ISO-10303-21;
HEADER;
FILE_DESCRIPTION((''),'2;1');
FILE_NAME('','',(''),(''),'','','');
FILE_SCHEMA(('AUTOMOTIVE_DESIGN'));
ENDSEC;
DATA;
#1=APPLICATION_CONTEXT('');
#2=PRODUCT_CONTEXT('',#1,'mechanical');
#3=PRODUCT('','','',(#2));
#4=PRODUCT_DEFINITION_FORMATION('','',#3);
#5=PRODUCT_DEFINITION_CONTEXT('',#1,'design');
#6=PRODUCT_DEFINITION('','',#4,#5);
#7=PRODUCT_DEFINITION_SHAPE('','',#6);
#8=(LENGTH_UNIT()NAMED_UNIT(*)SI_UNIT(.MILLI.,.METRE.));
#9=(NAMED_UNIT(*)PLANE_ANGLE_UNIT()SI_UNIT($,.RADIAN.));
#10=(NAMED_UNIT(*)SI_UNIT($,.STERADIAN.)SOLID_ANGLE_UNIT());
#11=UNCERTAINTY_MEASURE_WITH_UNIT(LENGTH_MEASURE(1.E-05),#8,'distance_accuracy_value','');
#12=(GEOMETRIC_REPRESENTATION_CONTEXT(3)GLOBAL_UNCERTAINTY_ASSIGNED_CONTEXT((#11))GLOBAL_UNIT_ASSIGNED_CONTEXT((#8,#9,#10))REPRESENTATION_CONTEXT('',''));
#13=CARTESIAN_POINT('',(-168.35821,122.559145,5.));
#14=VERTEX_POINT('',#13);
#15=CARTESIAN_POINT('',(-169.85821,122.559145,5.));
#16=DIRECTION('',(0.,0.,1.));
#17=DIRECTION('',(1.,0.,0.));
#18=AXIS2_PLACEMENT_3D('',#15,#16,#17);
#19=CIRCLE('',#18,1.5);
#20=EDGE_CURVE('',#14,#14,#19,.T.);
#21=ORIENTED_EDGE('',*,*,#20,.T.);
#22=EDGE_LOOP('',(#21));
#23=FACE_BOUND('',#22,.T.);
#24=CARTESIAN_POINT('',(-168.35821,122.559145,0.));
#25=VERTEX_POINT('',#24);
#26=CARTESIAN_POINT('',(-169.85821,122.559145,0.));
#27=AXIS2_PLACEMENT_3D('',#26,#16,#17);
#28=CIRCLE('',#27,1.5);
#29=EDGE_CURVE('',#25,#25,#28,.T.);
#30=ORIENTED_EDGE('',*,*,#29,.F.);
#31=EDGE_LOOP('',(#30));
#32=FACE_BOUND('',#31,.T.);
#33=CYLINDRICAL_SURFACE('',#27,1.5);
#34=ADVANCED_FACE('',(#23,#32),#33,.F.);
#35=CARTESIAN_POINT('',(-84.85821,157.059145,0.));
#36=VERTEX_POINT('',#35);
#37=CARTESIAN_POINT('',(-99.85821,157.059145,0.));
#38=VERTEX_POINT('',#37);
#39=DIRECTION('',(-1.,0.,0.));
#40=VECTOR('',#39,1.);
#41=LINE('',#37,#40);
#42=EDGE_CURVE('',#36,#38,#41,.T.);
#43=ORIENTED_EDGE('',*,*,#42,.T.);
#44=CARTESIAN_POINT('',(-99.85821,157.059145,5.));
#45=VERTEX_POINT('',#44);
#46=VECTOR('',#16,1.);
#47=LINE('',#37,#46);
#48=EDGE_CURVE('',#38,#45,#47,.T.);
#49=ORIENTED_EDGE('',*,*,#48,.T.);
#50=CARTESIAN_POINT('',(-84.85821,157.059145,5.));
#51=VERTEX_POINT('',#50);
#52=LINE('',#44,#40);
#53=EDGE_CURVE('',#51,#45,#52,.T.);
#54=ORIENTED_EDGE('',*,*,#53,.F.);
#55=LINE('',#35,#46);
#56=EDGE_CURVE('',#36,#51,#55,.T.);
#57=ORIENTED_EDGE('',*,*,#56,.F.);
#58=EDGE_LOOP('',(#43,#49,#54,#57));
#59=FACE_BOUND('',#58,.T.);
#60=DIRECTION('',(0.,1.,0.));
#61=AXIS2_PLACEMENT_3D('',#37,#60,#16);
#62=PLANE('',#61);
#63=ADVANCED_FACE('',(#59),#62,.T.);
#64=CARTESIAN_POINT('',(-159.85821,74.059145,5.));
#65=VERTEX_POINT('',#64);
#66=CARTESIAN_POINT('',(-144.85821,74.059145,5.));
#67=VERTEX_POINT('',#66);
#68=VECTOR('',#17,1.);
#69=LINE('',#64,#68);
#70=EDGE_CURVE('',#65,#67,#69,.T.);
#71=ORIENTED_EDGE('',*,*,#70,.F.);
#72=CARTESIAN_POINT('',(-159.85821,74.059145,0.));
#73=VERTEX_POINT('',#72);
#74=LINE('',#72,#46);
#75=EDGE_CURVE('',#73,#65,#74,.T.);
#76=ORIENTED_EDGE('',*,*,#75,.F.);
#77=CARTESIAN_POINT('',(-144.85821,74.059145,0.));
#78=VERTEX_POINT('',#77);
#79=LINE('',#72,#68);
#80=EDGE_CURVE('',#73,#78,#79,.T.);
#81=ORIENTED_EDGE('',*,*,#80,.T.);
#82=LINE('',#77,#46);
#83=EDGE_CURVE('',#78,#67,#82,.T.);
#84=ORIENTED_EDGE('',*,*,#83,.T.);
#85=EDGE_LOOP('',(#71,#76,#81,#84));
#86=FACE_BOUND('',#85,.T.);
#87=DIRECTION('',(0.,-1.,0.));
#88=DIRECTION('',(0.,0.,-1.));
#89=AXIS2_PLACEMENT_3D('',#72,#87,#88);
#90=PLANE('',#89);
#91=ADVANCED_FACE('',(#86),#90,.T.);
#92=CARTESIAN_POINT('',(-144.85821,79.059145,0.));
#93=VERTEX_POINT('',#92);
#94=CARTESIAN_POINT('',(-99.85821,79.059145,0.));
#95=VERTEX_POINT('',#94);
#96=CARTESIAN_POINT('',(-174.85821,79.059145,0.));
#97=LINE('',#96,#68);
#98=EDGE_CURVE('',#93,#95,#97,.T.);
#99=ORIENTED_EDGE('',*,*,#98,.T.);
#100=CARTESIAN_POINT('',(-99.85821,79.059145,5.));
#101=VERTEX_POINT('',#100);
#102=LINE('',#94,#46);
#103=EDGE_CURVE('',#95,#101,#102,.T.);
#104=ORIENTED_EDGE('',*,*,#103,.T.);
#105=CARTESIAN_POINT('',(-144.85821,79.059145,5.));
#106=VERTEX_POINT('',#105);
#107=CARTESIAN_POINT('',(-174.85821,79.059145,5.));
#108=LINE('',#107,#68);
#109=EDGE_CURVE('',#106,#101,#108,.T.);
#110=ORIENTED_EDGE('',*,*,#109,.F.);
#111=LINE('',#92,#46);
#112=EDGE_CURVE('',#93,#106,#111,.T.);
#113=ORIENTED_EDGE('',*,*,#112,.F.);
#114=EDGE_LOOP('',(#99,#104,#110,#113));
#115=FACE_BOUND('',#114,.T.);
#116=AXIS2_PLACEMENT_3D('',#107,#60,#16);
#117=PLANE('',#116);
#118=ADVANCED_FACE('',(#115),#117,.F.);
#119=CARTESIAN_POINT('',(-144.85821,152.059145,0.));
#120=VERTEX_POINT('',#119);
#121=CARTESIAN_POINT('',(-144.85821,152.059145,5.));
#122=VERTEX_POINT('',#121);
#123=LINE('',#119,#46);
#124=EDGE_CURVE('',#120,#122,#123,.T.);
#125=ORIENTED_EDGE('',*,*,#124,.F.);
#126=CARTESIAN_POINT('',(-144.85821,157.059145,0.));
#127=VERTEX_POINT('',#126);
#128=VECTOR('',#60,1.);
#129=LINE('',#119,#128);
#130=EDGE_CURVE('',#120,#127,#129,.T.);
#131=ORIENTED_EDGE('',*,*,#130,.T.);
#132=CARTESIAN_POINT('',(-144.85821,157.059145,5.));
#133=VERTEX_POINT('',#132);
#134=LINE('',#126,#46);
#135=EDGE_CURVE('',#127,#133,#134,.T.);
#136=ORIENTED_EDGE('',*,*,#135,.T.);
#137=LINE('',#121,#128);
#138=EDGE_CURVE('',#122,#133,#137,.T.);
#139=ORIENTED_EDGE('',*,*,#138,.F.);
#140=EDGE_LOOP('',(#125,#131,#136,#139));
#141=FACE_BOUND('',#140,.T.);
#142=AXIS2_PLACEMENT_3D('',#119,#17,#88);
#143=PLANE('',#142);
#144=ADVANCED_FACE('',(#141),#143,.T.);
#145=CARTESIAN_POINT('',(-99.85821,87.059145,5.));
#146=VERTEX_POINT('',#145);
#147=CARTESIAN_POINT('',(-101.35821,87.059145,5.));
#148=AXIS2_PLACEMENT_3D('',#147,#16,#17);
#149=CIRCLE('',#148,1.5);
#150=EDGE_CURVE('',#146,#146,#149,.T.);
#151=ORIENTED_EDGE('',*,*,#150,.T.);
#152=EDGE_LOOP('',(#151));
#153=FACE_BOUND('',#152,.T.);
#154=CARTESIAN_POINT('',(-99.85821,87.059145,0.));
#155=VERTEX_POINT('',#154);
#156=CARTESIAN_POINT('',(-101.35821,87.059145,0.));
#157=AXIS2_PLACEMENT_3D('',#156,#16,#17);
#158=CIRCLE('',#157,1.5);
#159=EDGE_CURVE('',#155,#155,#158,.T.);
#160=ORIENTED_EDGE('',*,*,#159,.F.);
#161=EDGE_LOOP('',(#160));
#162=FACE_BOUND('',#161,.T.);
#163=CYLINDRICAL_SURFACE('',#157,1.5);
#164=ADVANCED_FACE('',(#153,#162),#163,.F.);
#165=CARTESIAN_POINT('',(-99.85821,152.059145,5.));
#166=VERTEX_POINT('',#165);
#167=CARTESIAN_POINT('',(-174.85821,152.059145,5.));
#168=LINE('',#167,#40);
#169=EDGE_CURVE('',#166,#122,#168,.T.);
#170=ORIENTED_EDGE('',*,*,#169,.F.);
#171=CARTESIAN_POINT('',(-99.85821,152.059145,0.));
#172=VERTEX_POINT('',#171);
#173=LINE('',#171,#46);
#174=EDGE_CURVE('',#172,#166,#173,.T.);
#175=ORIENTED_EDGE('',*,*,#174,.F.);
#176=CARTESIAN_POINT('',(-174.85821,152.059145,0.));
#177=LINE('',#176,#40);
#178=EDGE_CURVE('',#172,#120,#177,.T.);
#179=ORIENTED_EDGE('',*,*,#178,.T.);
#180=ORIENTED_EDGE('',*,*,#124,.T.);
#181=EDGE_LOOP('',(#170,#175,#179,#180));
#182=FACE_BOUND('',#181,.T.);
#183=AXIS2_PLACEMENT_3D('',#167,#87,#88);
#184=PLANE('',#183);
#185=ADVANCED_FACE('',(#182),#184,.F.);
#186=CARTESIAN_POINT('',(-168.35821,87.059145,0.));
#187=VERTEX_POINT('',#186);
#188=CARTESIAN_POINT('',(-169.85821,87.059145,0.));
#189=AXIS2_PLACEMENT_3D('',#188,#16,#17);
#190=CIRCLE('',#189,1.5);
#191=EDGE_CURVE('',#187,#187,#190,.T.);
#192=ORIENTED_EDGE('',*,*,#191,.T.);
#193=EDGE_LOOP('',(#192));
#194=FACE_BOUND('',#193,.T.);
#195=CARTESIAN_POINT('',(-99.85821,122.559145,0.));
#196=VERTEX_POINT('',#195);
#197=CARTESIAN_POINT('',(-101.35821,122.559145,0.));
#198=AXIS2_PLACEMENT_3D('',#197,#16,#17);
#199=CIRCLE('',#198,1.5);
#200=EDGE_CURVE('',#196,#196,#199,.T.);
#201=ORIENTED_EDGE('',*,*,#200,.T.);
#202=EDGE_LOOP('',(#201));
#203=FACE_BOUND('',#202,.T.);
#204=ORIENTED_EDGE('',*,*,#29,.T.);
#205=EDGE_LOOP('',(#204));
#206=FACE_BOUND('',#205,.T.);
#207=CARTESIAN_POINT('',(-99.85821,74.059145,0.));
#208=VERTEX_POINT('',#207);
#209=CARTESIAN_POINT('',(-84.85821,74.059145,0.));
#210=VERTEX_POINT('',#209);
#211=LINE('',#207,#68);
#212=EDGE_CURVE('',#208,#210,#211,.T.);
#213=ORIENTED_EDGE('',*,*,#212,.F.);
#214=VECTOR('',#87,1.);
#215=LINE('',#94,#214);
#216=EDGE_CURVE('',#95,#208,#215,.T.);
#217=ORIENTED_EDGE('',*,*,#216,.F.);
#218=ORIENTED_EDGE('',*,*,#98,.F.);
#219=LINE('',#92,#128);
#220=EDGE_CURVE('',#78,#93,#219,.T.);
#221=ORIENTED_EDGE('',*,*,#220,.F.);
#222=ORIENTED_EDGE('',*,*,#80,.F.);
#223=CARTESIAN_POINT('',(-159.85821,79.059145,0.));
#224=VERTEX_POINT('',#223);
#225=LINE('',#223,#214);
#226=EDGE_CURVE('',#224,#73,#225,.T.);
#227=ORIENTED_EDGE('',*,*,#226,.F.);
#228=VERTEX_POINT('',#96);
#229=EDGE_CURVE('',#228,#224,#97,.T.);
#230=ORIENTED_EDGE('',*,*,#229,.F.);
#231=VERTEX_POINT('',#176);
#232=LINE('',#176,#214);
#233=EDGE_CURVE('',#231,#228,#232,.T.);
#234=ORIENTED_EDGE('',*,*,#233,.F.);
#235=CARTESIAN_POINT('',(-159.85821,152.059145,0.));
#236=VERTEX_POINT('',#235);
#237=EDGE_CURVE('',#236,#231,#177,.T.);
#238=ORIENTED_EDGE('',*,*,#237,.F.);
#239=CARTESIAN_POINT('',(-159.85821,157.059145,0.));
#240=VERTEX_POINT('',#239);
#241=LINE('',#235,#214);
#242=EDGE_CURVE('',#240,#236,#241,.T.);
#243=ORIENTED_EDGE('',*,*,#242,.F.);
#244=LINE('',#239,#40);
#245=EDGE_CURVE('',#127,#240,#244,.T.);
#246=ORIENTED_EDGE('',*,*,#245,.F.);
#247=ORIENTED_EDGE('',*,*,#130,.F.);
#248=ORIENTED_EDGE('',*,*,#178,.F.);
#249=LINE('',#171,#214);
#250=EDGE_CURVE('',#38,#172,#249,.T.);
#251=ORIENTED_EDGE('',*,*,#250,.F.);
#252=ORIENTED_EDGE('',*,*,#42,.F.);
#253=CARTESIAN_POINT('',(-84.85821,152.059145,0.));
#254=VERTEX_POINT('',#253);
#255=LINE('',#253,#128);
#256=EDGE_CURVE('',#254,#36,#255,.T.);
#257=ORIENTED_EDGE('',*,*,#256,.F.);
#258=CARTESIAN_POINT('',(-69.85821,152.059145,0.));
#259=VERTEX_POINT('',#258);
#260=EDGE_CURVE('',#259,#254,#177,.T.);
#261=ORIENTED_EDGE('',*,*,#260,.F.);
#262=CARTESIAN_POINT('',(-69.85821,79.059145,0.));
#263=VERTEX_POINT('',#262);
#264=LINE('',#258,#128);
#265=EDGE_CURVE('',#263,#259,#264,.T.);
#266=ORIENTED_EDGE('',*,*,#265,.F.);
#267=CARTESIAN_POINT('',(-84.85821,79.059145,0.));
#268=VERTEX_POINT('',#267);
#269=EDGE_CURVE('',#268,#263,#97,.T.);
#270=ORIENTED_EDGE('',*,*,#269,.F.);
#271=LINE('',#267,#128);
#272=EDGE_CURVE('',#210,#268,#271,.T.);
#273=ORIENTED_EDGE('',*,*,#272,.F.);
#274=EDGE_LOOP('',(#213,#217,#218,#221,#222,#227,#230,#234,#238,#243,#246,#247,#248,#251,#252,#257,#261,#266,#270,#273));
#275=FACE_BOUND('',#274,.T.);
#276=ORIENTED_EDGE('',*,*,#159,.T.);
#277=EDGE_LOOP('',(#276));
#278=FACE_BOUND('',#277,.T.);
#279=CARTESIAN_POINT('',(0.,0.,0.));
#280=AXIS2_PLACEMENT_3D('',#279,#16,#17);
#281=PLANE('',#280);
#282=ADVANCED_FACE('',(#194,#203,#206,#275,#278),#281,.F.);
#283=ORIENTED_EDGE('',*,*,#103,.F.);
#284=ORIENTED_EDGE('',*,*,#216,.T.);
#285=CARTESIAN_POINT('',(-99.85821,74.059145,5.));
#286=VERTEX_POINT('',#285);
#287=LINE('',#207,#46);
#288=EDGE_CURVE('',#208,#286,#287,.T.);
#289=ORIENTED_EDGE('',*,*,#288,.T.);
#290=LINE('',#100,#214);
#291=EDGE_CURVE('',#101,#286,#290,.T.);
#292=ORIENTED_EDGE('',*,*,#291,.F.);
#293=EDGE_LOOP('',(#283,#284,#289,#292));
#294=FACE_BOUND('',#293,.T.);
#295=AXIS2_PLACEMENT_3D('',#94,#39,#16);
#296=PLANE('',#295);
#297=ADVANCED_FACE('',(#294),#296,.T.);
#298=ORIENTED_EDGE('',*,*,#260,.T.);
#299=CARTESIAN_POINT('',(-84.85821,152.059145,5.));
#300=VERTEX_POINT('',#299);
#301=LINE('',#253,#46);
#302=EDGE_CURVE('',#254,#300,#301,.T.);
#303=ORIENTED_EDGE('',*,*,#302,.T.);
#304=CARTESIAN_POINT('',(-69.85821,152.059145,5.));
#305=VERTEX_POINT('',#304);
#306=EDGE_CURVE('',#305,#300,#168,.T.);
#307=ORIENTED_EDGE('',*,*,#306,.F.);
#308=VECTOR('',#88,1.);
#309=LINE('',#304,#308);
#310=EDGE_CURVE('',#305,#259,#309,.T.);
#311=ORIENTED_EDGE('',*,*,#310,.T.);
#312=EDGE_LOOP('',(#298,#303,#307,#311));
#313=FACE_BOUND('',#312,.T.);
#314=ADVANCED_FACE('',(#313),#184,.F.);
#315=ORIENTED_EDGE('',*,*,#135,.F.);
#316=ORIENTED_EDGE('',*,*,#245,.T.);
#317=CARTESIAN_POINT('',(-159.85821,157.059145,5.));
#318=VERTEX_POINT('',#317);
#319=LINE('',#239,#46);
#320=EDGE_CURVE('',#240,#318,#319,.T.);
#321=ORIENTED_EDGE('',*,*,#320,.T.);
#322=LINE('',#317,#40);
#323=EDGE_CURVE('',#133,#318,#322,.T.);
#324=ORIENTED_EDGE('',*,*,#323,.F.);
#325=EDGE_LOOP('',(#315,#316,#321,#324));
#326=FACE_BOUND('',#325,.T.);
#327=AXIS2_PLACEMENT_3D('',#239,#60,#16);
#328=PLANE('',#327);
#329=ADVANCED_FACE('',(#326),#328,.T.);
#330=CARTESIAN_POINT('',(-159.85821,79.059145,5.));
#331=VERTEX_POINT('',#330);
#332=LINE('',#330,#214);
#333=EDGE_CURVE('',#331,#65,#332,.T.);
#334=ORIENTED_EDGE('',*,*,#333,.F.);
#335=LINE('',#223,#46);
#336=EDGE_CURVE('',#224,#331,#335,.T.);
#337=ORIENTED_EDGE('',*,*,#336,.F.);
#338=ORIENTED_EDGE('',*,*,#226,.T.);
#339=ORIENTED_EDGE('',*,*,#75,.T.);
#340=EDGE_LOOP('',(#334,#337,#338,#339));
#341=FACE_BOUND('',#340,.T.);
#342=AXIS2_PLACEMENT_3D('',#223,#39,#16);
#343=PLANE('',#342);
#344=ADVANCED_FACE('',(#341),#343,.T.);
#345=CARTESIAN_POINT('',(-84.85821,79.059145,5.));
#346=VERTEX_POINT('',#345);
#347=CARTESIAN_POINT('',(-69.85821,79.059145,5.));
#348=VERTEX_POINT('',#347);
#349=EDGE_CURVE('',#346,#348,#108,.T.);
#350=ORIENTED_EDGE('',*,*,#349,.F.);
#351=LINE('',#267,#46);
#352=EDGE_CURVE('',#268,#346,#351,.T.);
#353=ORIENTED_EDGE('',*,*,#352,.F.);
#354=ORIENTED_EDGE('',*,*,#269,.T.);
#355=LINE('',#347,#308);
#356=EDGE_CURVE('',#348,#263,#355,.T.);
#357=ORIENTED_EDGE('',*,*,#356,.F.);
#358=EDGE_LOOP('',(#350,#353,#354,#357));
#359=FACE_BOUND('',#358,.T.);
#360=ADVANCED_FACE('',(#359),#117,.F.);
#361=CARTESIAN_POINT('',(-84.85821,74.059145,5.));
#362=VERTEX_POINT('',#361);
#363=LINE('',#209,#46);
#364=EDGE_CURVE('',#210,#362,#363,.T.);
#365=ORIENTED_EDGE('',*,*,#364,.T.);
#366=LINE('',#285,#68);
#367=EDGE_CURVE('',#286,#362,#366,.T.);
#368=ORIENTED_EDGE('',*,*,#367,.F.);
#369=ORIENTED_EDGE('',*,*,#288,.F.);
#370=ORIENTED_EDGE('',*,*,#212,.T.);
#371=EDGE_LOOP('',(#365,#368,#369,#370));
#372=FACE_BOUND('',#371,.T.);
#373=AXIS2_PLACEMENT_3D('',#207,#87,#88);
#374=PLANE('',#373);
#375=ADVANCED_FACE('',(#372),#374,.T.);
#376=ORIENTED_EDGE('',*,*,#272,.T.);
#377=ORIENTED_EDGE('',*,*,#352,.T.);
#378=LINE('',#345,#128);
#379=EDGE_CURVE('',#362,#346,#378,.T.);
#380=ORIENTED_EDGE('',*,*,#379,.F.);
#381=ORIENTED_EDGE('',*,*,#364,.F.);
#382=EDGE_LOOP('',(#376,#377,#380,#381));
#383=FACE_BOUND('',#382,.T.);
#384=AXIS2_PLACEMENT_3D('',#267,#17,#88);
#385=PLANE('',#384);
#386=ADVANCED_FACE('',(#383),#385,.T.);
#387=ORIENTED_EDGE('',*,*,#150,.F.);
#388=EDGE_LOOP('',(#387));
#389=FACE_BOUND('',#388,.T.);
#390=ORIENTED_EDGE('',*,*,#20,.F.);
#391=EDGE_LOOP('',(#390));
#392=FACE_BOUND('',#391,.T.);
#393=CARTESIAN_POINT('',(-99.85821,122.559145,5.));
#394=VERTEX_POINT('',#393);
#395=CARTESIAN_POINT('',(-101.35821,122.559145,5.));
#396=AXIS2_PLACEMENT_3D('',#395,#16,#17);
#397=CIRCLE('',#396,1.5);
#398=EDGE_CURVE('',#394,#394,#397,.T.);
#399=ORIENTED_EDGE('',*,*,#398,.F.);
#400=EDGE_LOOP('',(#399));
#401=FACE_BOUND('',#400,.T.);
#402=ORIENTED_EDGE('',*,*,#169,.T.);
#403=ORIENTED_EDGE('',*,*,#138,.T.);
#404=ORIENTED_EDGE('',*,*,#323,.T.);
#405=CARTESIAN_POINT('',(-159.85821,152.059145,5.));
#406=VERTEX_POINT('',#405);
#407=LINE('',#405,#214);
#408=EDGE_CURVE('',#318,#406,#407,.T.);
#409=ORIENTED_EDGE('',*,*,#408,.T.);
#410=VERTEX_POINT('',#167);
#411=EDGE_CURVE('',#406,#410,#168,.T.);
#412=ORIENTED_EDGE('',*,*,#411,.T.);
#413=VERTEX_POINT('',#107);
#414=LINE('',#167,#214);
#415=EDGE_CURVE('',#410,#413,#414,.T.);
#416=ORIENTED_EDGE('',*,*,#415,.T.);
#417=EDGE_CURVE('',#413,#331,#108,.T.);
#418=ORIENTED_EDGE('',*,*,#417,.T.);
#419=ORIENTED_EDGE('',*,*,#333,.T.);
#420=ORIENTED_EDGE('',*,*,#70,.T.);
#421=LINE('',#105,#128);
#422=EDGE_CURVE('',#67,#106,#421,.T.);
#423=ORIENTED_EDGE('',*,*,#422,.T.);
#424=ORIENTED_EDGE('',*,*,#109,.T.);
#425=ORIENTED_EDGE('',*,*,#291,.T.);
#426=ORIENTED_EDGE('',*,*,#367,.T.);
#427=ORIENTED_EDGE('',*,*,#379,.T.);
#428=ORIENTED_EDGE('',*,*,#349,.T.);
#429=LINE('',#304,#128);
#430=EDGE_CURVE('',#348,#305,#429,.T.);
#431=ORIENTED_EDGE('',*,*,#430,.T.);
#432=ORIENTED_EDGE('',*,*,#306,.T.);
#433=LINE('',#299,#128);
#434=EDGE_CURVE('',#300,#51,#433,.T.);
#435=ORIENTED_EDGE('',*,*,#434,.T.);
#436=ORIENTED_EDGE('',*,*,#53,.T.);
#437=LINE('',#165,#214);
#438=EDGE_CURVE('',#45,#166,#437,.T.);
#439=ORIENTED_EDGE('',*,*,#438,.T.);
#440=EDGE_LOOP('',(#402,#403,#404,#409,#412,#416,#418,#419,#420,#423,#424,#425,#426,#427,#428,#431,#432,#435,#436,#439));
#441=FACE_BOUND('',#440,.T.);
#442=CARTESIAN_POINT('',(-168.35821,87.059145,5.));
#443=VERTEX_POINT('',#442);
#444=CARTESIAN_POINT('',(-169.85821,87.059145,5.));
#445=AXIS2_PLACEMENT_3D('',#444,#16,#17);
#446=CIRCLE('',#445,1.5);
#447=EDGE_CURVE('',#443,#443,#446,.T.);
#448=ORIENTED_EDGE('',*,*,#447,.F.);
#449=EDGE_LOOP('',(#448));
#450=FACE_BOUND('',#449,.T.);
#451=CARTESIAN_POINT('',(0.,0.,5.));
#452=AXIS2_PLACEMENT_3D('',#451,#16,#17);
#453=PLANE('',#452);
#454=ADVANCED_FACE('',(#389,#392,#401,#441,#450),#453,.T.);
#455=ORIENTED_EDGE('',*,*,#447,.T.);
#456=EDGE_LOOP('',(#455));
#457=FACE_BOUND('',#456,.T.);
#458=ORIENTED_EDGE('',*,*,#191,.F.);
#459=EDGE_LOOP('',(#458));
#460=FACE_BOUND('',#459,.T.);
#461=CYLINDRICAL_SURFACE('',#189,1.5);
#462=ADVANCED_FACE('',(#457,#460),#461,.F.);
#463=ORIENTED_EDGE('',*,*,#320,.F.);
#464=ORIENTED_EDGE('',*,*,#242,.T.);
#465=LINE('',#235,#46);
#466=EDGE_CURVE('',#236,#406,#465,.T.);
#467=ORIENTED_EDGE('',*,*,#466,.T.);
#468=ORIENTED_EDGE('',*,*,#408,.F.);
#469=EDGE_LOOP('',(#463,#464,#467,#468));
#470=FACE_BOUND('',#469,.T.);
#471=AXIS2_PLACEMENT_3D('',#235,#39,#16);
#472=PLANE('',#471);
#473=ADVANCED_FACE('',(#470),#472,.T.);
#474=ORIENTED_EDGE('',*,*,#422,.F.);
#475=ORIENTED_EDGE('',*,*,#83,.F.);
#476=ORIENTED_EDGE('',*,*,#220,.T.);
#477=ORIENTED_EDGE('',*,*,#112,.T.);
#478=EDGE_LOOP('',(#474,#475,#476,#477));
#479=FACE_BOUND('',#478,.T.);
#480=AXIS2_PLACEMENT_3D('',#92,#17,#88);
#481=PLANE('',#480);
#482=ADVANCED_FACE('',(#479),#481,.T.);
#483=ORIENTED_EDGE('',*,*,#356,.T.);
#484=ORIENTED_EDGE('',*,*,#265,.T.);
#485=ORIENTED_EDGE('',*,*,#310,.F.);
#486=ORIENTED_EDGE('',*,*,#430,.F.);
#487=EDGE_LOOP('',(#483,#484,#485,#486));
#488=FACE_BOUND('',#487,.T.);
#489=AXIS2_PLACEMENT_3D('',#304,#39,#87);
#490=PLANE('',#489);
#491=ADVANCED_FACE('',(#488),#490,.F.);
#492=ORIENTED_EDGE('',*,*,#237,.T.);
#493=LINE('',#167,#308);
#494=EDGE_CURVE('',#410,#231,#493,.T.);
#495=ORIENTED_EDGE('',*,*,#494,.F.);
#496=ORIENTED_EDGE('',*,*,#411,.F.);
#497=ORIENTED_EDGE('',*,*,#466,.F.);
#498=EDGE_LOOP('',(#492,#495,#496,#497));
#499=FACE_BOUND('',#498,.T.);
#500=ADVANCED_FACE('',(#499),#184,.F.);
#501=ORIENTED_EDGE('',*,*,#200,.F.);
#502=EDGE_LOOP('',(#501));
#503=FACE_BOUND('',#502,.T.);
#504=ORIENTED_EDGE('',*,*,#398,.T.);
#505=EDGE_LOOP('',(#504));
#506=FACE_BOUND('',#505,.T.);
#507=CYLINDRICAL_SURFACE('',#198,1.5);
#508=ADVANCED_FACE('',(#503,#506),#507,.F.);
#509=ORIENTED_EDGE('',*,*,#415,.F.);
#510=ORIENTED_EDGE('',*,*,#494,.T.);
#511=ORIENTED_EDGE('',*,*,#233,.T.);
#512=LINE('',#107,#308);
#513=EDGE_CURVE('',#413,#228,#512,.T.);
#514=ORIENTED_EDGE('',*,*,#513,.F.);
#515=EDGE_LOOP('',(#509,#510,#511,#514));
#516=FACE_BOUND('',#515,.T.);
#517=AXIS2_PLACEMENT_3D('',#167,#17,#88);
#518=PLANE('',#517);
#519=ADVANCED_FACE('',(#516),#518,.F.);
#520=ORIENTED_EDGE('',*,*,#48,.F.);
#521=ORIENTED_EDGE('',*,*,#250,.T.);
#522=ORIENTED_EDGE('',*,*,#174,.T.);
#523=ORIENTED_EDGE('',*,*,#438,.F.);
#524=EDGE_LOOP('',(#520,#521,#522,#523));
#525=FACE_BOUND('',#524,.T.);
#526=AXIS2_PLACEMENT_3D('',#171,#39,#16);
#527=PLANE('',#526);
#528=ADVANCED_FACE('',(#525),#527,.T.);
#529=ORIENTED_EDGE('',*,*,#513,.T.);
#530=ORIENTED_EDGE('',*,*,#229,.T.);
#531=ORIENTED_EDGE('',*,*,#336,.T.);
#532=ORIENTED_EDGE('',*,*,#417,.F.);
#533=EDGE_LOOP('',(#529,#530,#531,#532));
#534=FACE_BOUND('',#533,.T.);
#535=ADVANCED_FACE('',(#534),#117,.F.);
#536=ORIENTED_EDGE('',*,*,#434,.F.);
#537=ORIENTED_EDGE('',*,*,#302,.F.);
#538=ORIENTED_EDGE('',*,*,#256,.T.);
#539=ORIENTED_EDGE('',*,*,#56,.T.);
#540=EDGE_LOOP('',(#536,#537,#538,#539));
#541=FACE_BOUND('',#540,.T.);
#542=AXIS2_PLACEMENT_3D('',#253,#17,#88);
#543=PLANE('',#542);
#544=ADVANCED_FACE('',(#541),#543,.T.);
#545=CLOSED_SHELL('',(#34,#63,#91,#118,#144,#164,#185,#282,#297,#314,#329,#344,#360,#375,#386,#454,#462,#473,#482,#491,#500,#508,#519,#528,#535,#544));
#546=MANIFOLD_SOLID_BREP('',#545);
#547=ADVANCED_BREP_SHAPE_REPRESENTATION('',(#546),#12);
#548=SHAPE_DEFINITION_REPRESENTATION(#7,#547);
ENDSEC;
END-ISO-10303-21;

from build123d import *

# Parameters (mm, degrees)
ESQUISSE1_W             = 105
ESQUISSE1_H             = 73
BOSS_EXTRU_1_DEPTH      = 5
ESQUISSE2_R             = 1.5
ENL_V_MAT_EXTRU_1_DEPTH = 5
ESQUISSE3_W             = 15
ESQUISSE3_H             = 5
BOSS_EXTRU_2_DEPTH      = 5


with BuildPart() as part:
    # Esquisse1 → Boss.-Extru.1 (new body)
    with BuildSketch(Plane.XY):
        with Locations((-122.358209677, 115.559145013)):
            Rectangle(ESQUISSE1_W, ESQUISSE1_H)
    extrude(amount=BOSS_EXTRU_1_DEPTH)

    # Esquisse2 → Enlèv. mat.-Extru.1 (cut)
    with BuildSketch(Plane.XY.offset(5)):
        with Locations((-101.358209677, 122.559145013)):
            Circle(ESQUISSE2_R)
        with Locations((-169.858209677, 122.559145013)):
            Circle(ESQUISSE2_R)
        with Locations((-169.858209677, 87.059145013)):
            Circle(ESQUISSE2_R)
        with Locations((-101.358209677, 87.059145013)):
            Circle(ESQUISSE2_R)
    extrude(amount=-ENL_V_MAT_EXTRU_1_DEPTH, mode=Mode.SUBTRACT)

    # Esquisse3 → Boss.-Extru.2 (add)
    with BuildSketch(Plane.XY.offset(5)):
        with Locations((-152.358209677, 76.559145013)):
            Rectangle(ESQUISSE3_W, ESQUISSE3_H)
        with Locations((-92.358209677, 76.559145013)):
            Rectangle(ESQUISSE3_W, ESQUISSE3_H)
        with Locations((-92.358209677, 154.559145013)):
            Rectangle(ESQUISSE3_W, ESQUISSE3_H)
        with Locations((-152.358209677, 154.559145013)):
            Rectangle(ESQUISSE3_W, ESQUISSE3_H)
    extrude(amount=-BOSS_EXTRU_2_DEPTH)


solid = part.part
